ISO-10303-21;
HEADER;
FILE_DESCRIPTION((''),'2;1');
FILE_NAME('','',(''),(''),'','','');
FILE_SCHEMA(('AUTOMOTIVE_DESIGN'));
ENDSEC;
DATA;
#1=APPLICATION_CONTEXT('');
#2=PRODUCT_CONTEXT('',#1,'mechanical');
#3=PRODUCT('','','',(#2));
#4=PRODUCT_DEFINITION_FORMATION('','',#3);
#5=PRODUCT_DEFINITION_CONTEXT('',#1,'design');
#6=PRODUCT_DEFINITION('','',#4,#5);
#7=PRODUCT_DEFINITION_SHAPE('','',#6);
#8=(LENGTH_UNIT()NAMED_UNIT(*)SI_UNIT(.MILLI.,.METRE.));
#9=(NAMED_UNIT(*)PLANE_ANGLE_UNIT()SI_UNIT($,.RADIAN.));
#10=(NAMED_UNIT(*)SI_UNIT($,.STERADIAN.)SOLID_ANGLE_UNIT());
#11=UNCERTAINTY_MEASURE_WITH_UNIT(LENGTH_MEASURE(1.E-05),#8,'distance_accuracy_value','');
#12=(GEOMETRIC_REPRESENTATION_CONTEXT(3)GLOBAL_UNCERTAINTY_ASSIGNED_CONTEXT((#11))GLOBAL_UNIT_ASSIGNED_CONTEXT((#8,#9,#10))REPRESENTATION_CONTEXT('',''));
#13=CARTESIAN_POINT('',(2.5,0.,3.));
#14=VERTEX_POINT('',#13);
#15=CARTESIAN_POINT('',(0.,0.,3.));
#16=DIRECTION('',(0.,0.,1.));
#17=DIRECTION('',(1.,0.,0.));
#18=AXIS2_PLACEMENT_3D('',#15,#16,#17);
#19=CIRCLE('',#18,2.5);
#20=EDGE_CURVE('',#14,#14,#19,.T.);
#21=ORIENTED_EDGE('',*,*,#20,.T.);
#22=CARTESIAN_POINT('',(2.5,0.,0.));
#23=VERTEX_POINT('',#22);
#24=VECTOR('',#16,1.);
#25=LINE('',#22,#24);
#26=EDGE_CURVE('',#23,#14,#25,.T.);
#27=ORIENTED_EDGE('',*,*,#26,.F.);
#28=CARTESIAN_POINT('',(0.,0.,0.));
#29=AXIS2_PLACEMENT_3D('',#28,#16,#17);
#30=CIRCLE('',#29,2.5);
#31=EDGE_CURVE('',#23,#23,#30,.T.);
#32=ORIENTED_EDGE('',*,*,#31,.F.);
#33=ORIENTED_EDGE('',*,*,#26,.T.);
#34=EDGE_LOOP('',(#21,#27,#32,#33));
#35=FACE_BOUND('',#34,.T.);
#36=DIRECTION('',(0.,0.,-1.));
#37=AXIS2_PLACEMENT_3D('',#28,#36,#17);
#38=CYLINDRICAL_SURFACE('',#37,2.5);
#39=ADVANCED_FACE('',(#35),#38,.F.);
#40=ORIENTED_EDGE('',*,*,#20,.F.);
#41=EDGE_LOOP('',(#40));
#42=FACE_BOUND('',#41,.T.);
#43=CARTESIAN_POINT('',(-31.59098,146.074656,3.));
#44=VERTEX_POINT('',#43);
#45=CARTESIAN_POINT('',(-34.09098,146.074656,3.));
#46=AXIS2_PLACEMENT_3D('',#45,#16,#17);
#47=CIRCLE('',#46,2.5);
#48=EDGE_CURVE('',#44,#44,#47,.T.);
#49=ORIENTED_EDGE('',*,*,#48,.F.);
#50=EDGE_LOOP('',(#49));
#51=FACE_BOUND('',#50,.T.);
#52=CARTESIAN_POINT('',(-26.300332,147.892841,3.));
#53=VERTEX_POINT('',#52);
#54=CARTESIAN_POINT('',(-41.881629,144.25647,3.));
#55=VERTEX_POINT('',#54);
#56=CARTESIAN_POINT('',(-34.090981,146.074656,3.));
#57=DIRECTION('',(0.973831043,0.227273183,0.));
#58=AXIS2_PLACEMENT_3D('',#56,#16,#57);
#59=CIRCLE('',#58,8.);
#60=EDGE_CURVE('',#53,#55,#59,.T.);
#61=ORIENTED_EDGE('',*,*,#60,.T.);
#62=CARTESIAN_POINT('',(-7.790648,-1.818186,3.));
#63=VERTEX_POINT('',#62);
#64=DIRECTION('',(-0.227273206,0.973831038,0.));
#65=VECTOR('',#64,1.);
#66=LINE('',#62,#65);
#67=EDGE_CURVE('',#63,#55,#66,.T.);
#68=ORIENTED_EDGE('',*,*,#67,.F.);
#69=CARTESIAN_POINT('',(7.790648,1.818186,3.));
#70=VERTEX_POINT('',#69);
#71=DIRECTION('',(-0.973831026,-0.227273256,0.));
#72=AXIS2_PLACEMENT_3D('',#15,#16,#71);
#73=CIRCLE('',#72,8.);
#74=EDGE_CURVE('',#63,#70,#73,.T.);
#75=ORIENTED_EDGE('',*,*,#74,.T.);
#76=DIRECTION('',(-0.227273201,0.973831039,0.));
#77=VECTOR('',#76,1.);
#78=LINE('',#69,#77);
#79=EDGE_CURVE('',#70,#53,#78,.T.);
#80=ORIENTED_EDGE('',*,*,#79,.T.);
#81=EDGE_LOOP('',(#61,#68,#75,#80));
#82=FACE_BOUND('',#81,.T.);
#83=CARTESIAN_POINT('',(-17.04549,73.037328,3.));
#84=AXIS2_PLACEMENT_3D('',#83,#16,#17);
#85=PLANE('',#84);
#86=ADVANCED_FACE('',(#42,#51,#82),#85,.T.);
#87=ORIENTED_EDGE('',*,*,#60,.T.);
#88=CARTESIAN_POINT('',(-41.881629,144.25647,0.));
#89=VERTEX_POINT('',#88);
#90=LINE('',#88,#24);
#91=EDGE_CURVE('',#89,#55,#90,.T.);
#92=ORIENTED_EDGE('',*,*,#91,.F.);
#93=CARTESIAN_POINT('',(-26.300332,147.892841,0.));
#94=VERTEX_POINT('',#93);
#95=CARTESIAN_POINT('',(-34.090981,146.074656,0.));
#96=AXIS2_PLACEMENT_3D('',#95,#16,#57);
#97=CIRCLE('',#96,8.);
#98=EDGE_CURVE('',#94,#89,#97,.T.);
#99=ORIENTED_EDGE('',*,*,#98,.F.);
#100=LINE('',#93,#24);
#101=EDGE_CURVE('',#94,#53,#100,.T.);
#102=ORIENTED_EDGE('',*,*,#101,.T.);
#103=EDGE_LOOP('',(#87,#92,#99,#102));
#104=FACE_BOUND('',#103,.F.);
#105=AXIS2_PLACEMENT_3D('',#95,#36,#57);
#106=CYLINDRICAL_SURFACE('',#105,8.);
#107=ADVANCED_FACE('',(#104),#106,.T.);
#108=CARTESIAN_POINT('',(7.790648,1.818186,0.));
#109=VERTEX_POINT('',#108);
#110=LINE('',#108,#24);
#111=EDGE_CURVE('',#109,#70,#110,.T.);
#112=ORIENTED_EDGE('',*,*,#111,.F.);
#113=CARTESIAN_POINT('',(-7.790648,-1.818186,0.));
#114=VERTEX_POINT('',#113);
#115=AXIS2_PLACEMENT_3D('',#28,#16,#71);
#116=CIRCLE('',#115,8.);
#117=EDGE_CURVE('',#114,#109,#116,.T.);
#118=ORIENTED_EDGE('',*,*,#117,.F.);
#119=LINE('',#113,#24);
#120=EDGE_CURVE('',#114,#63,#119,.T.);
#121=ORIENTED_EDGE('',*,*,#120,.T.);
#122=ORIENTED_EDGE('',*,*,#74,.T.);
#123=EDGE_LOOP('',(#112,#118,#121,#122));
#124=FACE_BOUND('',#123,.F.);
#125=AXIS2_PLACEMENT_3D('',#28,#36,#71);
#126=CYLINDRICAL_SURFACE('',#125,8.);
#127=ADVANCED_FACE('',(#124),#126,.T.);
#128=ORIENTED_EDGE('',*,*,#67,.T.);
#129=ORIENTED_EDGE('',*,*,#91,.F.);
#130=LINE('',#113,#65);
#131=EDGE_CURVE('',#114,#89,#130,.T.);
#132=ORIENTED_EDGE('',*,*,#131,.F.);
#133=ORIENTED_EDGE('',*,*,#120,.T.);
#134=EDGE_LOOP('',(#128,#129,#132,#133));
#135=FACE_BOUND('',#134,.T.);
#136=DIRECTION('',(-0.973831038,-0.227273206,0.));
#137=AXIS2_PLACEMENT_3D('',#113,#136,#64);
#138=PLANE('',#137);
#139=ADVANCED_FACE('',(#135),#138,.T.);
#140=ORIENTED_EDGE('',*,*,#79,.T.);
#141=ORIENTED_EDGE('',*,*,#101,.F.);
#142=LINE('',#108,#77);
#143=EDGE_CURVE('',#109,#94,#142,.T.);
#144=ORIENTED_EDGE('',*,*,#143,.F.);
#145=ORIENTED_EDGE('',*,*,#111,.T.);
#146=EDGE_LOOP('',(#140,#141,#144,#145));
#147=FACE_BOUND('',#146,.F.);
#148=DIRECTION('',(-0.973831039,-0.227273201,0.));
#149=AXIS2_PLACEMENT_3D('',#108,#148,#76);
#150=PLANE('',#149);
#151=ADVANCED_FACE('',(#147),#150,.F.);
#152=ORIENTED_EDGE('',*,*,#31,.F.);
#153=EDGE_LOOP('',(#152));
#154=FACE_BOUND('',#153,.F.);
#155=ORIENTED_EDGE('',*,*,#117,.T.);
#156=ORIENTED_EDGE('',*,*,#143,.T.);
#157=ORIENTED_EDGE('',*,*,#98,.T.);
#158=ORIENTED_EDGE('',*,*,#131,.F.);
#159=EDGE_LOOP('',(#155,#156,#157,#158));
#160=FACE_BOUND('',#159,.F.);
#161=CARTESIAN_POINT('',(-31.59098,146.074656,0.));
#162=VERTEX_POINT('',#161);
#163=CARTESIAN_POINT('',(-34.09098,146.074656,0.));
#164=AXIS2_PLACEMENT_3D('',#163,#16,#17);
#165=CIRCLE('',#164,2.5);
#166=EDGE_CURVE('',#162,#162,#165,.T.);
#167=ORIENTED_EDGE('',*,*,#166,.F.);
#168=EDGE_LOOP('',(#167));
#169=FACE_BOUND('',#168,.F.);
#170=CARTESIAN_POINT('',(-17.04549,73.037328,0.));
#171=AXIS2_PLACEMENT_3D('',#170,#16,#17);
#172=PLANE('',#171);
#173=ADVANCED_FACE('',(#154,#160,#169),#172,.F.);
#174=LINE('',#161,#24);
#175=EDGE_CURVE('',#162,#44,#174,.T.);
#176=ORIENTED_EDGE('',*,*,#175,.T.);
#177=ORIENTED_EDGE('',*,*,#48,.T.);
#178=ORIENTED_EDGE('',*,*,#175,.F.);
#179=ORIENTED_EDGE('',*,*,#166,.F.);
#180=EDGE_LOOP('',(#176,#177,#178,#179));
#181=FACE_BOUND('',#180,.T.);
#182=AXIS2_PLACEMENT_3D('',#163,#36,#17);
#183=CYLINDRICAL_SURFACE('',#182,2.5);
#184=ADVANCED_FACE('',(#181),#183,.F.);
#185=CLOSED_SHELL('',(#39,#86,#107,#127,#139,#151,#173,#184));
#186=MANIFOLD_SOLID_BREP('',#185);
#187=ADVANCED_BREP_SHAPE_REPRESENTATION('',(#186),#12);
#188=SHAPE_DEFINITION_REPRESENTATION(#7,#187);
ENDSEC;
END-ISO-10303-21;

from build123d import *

# Parameters (mm, degrees)
SKETCH_R  = 2.5
PAD_DEPTH = 3


with BuildPart() as part:
    # Sketch → Pad (new body)
    with BuildSketch(Plane.XY):
        with BuildLine():
            ThreePointArc((-7.790648, -1.818186), (1.818186, -7.790648), (7.790648, 1.818186))
            Line((7.790648, 1.818186), (-26.300332, 147.892841))
            ThreePointArc((-26.300332, 147.892841), (-35.909166, 153.865304), (-41.881629, 144.25647))
            Line((-7.790648, -1.818186), (-41.881629, 144.25647))
        make_face()
        Circle(SKETCH_R, mode=Mode.SUBTRACT)
        with Locations((-34.09098, 146.074656)):
            Circle(SKETCH_R, mode=Mode.SUBTRACT)
    extrude(amount=PAD_DEPTH)


solid = part.part
